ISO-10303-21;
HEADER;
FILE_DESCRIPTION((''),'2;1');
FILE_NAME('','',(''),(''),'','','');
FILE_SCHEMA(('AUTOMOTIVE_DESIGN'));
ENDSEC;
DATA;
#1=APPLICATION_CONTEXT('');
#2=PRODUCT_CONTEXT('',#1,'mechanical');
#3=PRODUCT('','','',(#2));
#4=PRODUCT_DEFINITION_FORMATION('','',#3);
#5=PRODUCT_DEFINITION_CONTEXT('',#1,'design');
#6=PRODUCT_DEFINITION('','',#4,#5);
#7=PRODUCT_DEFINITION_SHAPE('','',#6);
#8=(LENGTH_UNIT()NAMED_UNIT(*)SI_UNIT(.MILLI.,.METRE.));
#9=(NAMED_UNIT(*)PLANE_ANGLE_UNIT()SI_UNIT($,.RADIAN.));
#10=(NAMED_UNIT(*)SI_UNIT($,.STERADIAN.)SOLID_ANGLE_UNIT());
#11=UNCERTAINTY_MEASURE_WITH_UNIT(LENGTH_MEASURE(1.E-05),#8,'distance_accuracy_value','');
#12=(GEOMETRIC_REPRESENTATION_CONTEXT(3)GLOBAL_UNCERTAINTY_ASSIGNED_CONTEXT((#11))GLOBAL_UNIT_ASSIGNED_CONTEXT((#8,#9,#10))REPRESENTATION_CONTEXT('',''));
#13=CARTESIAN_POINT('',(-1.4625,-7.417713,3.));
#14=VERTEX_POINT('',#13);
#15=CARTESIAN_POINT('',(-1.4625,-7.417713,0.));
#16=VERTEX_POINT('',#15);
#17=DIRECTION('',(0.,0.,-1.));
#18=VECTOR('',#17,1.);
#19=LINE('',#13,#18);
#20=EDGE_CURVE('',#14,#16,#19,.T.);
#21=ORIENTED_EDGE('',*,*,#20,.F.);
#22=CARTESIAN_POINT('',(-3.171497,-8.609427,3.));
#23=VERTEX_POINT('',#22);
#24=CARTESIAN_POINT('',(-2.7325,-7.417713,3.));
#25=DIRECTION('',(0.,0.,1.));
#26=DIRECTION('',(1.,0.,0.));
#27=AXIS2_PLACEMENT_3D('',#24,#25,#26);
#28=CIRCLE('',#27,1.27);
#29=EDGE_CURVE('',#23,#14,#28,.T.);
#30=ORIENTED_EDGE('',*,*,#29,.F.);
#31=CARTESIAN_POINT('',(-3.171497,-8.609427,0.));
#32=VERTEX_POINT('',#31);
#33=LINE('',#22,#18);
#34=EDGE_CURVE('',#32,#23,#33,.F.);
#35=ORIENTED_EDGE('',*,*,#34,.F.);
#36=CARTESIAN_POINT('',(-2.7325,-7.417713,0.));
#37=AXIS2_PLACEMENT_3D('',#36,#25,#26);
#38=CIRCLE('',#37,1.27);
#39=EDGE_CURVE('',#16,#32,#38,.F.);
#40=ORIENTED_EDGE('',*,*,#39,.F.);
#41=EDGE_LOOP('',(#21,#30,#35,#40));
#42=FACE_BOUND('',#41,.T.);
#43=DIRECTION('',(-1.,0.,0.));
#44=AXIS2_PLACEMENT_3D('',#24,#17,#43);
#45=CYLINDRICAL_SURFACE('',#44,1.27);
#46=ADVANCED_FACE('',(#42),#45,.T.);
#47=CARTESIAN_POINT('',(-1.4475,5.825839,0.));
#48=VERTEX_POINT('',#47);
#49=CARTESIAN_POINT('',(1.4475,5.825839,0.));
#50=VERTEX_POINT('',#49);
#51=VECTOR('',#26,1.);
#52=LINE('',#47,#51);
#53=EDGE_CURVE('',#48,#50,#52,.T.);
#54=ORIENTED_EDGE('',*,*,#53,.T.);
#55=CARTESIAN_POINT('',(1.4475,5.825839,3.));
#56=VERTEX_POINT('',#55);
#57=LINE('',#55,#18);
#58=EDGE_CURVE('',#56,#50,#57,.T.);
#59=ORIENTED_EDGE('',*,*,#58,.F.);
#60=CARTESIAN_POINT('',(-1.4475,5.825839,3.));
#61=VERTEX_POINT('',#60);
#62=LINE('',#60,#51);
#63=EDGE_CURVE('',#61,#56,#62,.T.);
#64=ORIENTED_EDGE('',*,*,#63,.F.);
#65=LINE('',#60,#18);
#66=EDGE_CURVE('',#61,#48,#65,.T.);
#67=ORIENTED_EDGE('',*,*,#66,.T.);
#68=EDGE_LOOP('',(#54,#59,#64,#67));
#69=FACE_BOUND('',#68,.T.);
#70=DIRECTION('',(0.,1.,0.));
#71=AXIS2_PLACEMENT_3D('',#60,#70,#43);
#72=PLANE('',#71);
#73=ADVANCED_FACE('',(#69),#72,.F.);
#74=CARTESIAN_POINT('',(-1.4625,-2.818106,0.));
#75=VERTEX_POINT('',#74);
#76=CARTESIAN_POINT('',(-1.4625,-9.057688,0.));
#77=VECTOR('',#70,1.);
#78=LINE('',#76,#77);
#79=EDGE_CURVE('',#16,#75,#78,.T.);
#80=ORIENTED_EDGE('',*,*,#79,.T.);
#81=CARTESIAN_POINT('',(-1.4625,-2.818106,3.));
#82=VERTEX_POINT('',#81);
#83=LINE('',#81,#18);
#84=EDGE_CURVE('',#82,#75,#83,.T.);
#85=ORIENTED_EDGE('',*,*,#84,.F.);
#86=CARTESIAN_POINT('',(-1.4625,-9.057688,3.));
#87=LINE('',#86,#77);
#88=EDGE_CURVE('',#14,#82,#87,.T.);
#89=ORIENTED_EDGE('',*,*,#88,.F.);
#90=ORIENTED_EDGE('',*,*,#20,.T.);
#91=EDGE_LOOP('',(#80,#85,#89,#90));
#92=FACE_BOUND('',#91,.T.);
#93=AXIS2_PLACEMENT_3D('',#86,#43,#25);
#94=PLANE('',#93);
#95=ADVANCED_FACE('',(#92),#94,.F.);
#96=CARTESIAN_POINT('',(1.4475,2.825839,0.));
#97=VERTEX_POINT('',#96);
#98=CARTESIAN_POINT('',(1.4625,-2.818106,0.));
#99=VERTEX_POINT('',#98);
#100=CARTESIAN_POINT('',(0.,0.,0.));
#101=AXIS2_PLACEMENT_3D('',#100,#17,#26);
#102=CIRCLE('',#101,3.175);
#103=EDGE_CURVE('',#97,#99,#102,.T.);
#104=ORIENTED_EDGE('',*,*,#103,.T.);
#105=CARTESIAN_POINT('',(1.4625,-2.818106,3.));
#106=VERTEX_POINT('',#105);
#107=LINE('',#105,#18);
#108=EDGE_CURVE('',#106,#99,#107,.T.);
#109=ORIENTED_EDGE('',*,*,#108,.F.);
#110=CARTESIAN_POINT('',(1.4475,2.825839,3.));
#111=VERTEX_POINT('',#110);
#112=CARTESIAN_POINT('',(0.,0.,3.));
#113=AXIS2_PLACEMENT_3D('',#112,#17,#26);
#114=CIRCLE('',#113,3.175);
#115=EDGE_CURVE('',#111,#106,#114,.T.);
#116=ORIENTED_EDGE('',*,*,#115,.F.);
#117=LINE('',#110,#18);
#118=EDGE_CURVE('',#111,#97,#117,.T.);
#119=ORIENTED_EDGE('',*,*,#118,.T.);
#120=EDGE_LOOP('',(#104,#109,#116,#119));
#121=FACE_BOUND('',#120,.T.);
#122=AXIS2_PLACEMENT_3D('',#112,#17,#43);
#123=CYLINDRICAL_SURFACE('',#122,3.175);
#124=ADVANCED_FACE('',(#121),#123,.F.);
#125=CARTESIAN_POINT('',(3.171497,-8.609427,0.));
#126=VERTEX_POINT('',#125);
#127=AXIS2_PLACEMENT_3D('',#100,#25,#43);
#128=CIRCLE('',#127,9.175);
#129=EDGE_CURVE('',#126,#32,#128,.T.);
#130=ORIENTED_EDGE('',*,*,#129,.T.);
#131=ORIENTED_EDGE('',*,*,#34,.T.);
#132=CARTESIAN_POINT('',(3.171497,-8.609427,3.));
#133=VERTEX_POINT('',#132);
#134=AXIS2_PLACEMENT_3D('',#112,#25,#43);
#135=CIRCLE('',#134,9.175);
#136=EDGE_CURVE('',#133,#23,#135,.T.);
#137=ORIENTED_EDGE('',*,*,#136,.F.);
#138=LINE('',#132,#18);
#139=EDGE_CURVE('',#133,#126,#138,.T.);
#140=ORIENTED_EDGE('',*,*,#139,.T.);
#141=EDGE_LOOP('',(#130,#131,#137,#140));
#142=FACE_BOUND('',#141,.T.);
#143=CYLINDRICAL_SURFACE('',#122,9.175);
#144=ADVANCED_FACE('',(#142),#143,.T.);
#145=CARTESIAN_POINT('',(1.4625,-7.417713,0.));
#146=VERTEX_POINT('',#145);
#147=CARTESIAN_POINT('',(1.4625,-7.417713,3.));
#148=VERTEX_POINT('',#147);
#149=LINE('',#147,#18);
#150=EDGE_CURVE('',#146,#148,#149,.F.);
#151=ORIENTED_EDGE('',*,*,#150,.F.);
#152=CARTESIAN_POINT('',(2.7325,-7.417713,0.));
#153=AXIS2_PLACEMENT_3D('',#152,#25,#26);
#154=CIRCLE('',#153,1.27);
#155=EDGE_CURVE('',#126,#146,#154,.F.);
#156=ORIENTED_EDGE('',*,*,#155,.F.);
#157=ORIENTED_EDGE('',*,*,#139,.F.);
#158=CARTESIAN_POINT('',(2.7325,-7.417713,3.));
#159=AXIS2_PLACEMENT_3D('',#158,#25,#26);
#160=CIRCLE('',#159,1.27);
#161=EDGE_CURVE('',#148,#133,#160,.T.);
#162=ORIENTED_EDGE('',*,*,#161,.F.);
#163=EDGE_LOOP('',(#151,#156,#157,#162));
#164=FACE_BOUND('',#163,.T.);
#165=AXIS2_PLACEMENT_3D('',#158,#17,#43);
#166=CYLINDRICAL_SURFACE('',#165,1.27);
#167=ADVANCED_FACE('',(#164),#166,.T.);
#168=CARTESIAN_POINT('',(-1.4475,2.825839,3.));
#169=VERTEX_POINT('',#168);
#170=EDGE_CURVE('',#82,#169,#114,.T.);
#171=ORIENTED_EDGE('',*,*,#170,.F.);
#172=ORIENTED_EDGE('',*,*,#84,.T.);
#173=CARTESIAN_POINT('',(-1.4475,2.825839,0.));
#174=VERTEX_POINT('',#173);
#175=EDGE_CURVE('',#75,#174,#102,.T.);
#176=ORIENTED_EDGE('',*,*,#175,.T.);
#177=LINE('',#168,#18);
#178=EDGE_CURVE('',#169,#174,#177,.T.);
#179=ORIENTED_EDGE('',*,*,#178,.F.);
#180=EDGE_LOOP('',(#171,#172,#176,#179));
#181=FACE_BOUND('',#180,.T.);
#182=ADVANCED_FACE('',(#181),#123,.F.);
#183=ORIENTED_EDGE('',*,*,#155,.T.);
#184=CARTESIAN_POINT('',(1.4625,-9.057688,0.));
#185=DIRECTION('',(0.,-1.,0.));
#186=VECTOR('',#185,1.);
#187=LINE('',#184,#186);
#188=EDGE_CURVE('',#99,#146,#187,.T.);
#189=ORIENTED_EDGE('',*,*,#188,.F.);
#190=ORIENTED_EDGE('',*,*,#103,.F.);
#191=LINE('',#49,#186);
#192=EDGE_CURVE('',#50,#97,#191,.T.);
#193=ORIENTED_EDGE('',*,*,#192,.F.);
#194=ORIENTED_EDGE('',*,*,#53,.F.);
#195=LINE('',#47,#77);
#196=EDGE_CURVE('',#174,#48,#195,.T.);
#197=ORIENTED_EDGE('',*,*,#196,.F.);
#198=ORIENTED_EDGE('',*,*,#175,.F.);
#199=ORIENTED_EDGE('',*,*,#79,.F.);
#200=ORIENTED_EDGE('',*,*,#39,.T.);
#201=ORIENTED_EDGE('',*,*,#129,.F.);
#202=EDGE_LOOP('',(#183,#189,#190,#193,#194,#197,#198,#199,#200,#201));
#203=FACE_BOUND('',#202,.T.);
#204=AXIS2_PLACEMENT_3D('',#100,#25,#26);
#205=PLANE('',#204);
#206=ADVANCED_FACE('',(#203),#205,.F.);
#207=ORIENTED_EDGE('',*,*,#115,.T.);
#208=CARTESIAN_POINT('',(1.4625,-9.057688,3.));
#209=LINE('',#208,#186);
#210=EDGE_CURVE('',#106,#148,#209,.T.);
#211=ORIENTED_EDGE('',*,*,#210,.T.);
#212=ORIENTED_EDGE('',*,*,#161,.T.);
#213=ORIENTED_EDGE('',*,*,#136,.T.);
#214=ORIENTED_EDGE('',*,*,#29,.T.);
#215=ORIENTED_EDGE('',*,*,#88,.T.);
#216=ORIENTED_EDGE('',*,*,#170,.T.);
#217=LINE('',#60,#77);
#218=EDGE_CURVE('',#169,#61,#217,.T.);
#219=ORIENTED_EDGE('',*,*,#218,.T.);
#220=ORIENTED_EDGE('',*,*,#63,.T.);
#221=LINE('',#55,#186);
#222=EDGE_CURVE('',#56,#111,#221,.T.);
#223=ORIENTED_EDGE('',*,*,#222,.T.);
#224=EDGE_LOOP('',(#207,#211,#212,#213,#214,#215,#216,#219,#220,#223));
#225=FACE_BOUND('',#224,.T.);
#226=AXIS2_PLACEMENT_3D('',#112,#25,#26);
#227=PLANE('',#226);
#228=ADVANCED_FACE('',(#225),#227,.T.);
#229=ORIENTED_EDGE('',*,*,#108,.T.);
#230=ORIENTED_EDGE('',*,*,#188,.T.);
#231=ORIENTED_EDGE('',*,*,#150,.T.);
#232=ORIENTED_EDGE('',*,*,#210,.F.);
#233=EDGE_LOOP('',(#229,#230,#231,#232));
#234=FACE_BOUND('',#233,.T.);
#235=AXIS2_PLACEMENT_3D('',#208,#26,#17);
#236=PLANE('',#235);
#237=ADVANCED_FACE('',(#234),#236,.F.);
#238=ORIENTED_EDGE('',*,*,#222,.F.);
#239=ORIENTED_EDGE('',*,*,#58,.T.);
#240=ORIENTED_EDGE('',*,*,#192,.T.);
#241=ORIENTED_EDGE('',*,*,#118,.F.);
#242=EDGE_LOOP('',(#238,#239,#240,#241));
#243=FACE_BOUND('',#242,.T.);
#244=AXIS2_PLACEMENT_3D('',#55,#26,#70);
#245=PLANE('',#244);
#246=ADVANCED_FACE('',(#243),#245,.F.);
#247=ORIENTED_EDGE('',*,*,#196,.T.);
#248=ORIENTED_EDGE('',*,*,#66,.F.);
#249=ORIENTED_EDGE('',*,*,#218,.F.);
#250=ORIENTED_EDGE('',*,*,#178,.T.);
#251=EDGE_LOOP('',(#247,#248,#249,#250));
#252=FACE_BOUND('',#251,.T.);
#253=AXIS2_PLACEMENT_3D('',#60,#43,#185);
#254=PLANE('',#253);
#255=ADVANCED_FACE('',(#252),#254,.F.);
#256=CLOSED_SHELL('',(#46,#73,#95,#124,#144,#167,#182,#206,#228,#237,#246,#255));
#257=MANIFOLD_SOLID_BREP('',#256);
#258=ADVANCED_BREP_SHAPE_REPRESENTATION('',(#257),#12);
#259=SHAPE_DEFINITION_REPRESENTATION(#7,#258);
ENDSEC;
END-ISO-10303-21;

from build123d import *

# Parameters (mm, degrees)
EXTRUDE_1_DEPTH = 3
FILLET_1_R      = 1.27


with BuildPart() as part:
    # 스케치1 → 보스-돌출1 (new body)
    with BuildSketch(Plane.XY):
        with BuildLine():
            Line((-1.4475, 5.825839477), (1.4475, 5.825839477))
            Line((1.4475, 5.825839477), (1.4475, 2.825839477))
            ThreePointArc((1.4475, 2.825839477), (3.174988787, 0.008438217), (1.4625, -2.818105525))
            Line((1.4625, -2.818105525), (1.4625, -9.057688378))
            ThreePointArc((1.4625, -9.057688378), (0, 9.175), (-1.4625, -9.057688378))
            Line((-1.4625, -9.057688378), (-1.4625, -2.818105525))
            ThreePointArc((-1.4625, -2.818105525), (-3.174988787, 0.008438217), (-1.4475, 2.825839477))
            Line((-1.4475, 2.825839477), (-1.4475, 5.825839477))
        make_face()
    extrude(amount=EXTRUDE_1_DEPTH)

    # 필렛1
    fillet_1_edges = [part.edges().sort_by_distance(p)[0] for p in [
        (-1.4625, -9.057688378, 1.5),
        (1.4625, -9.057688378, 1.5),
    ]]
    fillet(fillet_1_edges, radius=FILLET_1_R)


solid = part.part
